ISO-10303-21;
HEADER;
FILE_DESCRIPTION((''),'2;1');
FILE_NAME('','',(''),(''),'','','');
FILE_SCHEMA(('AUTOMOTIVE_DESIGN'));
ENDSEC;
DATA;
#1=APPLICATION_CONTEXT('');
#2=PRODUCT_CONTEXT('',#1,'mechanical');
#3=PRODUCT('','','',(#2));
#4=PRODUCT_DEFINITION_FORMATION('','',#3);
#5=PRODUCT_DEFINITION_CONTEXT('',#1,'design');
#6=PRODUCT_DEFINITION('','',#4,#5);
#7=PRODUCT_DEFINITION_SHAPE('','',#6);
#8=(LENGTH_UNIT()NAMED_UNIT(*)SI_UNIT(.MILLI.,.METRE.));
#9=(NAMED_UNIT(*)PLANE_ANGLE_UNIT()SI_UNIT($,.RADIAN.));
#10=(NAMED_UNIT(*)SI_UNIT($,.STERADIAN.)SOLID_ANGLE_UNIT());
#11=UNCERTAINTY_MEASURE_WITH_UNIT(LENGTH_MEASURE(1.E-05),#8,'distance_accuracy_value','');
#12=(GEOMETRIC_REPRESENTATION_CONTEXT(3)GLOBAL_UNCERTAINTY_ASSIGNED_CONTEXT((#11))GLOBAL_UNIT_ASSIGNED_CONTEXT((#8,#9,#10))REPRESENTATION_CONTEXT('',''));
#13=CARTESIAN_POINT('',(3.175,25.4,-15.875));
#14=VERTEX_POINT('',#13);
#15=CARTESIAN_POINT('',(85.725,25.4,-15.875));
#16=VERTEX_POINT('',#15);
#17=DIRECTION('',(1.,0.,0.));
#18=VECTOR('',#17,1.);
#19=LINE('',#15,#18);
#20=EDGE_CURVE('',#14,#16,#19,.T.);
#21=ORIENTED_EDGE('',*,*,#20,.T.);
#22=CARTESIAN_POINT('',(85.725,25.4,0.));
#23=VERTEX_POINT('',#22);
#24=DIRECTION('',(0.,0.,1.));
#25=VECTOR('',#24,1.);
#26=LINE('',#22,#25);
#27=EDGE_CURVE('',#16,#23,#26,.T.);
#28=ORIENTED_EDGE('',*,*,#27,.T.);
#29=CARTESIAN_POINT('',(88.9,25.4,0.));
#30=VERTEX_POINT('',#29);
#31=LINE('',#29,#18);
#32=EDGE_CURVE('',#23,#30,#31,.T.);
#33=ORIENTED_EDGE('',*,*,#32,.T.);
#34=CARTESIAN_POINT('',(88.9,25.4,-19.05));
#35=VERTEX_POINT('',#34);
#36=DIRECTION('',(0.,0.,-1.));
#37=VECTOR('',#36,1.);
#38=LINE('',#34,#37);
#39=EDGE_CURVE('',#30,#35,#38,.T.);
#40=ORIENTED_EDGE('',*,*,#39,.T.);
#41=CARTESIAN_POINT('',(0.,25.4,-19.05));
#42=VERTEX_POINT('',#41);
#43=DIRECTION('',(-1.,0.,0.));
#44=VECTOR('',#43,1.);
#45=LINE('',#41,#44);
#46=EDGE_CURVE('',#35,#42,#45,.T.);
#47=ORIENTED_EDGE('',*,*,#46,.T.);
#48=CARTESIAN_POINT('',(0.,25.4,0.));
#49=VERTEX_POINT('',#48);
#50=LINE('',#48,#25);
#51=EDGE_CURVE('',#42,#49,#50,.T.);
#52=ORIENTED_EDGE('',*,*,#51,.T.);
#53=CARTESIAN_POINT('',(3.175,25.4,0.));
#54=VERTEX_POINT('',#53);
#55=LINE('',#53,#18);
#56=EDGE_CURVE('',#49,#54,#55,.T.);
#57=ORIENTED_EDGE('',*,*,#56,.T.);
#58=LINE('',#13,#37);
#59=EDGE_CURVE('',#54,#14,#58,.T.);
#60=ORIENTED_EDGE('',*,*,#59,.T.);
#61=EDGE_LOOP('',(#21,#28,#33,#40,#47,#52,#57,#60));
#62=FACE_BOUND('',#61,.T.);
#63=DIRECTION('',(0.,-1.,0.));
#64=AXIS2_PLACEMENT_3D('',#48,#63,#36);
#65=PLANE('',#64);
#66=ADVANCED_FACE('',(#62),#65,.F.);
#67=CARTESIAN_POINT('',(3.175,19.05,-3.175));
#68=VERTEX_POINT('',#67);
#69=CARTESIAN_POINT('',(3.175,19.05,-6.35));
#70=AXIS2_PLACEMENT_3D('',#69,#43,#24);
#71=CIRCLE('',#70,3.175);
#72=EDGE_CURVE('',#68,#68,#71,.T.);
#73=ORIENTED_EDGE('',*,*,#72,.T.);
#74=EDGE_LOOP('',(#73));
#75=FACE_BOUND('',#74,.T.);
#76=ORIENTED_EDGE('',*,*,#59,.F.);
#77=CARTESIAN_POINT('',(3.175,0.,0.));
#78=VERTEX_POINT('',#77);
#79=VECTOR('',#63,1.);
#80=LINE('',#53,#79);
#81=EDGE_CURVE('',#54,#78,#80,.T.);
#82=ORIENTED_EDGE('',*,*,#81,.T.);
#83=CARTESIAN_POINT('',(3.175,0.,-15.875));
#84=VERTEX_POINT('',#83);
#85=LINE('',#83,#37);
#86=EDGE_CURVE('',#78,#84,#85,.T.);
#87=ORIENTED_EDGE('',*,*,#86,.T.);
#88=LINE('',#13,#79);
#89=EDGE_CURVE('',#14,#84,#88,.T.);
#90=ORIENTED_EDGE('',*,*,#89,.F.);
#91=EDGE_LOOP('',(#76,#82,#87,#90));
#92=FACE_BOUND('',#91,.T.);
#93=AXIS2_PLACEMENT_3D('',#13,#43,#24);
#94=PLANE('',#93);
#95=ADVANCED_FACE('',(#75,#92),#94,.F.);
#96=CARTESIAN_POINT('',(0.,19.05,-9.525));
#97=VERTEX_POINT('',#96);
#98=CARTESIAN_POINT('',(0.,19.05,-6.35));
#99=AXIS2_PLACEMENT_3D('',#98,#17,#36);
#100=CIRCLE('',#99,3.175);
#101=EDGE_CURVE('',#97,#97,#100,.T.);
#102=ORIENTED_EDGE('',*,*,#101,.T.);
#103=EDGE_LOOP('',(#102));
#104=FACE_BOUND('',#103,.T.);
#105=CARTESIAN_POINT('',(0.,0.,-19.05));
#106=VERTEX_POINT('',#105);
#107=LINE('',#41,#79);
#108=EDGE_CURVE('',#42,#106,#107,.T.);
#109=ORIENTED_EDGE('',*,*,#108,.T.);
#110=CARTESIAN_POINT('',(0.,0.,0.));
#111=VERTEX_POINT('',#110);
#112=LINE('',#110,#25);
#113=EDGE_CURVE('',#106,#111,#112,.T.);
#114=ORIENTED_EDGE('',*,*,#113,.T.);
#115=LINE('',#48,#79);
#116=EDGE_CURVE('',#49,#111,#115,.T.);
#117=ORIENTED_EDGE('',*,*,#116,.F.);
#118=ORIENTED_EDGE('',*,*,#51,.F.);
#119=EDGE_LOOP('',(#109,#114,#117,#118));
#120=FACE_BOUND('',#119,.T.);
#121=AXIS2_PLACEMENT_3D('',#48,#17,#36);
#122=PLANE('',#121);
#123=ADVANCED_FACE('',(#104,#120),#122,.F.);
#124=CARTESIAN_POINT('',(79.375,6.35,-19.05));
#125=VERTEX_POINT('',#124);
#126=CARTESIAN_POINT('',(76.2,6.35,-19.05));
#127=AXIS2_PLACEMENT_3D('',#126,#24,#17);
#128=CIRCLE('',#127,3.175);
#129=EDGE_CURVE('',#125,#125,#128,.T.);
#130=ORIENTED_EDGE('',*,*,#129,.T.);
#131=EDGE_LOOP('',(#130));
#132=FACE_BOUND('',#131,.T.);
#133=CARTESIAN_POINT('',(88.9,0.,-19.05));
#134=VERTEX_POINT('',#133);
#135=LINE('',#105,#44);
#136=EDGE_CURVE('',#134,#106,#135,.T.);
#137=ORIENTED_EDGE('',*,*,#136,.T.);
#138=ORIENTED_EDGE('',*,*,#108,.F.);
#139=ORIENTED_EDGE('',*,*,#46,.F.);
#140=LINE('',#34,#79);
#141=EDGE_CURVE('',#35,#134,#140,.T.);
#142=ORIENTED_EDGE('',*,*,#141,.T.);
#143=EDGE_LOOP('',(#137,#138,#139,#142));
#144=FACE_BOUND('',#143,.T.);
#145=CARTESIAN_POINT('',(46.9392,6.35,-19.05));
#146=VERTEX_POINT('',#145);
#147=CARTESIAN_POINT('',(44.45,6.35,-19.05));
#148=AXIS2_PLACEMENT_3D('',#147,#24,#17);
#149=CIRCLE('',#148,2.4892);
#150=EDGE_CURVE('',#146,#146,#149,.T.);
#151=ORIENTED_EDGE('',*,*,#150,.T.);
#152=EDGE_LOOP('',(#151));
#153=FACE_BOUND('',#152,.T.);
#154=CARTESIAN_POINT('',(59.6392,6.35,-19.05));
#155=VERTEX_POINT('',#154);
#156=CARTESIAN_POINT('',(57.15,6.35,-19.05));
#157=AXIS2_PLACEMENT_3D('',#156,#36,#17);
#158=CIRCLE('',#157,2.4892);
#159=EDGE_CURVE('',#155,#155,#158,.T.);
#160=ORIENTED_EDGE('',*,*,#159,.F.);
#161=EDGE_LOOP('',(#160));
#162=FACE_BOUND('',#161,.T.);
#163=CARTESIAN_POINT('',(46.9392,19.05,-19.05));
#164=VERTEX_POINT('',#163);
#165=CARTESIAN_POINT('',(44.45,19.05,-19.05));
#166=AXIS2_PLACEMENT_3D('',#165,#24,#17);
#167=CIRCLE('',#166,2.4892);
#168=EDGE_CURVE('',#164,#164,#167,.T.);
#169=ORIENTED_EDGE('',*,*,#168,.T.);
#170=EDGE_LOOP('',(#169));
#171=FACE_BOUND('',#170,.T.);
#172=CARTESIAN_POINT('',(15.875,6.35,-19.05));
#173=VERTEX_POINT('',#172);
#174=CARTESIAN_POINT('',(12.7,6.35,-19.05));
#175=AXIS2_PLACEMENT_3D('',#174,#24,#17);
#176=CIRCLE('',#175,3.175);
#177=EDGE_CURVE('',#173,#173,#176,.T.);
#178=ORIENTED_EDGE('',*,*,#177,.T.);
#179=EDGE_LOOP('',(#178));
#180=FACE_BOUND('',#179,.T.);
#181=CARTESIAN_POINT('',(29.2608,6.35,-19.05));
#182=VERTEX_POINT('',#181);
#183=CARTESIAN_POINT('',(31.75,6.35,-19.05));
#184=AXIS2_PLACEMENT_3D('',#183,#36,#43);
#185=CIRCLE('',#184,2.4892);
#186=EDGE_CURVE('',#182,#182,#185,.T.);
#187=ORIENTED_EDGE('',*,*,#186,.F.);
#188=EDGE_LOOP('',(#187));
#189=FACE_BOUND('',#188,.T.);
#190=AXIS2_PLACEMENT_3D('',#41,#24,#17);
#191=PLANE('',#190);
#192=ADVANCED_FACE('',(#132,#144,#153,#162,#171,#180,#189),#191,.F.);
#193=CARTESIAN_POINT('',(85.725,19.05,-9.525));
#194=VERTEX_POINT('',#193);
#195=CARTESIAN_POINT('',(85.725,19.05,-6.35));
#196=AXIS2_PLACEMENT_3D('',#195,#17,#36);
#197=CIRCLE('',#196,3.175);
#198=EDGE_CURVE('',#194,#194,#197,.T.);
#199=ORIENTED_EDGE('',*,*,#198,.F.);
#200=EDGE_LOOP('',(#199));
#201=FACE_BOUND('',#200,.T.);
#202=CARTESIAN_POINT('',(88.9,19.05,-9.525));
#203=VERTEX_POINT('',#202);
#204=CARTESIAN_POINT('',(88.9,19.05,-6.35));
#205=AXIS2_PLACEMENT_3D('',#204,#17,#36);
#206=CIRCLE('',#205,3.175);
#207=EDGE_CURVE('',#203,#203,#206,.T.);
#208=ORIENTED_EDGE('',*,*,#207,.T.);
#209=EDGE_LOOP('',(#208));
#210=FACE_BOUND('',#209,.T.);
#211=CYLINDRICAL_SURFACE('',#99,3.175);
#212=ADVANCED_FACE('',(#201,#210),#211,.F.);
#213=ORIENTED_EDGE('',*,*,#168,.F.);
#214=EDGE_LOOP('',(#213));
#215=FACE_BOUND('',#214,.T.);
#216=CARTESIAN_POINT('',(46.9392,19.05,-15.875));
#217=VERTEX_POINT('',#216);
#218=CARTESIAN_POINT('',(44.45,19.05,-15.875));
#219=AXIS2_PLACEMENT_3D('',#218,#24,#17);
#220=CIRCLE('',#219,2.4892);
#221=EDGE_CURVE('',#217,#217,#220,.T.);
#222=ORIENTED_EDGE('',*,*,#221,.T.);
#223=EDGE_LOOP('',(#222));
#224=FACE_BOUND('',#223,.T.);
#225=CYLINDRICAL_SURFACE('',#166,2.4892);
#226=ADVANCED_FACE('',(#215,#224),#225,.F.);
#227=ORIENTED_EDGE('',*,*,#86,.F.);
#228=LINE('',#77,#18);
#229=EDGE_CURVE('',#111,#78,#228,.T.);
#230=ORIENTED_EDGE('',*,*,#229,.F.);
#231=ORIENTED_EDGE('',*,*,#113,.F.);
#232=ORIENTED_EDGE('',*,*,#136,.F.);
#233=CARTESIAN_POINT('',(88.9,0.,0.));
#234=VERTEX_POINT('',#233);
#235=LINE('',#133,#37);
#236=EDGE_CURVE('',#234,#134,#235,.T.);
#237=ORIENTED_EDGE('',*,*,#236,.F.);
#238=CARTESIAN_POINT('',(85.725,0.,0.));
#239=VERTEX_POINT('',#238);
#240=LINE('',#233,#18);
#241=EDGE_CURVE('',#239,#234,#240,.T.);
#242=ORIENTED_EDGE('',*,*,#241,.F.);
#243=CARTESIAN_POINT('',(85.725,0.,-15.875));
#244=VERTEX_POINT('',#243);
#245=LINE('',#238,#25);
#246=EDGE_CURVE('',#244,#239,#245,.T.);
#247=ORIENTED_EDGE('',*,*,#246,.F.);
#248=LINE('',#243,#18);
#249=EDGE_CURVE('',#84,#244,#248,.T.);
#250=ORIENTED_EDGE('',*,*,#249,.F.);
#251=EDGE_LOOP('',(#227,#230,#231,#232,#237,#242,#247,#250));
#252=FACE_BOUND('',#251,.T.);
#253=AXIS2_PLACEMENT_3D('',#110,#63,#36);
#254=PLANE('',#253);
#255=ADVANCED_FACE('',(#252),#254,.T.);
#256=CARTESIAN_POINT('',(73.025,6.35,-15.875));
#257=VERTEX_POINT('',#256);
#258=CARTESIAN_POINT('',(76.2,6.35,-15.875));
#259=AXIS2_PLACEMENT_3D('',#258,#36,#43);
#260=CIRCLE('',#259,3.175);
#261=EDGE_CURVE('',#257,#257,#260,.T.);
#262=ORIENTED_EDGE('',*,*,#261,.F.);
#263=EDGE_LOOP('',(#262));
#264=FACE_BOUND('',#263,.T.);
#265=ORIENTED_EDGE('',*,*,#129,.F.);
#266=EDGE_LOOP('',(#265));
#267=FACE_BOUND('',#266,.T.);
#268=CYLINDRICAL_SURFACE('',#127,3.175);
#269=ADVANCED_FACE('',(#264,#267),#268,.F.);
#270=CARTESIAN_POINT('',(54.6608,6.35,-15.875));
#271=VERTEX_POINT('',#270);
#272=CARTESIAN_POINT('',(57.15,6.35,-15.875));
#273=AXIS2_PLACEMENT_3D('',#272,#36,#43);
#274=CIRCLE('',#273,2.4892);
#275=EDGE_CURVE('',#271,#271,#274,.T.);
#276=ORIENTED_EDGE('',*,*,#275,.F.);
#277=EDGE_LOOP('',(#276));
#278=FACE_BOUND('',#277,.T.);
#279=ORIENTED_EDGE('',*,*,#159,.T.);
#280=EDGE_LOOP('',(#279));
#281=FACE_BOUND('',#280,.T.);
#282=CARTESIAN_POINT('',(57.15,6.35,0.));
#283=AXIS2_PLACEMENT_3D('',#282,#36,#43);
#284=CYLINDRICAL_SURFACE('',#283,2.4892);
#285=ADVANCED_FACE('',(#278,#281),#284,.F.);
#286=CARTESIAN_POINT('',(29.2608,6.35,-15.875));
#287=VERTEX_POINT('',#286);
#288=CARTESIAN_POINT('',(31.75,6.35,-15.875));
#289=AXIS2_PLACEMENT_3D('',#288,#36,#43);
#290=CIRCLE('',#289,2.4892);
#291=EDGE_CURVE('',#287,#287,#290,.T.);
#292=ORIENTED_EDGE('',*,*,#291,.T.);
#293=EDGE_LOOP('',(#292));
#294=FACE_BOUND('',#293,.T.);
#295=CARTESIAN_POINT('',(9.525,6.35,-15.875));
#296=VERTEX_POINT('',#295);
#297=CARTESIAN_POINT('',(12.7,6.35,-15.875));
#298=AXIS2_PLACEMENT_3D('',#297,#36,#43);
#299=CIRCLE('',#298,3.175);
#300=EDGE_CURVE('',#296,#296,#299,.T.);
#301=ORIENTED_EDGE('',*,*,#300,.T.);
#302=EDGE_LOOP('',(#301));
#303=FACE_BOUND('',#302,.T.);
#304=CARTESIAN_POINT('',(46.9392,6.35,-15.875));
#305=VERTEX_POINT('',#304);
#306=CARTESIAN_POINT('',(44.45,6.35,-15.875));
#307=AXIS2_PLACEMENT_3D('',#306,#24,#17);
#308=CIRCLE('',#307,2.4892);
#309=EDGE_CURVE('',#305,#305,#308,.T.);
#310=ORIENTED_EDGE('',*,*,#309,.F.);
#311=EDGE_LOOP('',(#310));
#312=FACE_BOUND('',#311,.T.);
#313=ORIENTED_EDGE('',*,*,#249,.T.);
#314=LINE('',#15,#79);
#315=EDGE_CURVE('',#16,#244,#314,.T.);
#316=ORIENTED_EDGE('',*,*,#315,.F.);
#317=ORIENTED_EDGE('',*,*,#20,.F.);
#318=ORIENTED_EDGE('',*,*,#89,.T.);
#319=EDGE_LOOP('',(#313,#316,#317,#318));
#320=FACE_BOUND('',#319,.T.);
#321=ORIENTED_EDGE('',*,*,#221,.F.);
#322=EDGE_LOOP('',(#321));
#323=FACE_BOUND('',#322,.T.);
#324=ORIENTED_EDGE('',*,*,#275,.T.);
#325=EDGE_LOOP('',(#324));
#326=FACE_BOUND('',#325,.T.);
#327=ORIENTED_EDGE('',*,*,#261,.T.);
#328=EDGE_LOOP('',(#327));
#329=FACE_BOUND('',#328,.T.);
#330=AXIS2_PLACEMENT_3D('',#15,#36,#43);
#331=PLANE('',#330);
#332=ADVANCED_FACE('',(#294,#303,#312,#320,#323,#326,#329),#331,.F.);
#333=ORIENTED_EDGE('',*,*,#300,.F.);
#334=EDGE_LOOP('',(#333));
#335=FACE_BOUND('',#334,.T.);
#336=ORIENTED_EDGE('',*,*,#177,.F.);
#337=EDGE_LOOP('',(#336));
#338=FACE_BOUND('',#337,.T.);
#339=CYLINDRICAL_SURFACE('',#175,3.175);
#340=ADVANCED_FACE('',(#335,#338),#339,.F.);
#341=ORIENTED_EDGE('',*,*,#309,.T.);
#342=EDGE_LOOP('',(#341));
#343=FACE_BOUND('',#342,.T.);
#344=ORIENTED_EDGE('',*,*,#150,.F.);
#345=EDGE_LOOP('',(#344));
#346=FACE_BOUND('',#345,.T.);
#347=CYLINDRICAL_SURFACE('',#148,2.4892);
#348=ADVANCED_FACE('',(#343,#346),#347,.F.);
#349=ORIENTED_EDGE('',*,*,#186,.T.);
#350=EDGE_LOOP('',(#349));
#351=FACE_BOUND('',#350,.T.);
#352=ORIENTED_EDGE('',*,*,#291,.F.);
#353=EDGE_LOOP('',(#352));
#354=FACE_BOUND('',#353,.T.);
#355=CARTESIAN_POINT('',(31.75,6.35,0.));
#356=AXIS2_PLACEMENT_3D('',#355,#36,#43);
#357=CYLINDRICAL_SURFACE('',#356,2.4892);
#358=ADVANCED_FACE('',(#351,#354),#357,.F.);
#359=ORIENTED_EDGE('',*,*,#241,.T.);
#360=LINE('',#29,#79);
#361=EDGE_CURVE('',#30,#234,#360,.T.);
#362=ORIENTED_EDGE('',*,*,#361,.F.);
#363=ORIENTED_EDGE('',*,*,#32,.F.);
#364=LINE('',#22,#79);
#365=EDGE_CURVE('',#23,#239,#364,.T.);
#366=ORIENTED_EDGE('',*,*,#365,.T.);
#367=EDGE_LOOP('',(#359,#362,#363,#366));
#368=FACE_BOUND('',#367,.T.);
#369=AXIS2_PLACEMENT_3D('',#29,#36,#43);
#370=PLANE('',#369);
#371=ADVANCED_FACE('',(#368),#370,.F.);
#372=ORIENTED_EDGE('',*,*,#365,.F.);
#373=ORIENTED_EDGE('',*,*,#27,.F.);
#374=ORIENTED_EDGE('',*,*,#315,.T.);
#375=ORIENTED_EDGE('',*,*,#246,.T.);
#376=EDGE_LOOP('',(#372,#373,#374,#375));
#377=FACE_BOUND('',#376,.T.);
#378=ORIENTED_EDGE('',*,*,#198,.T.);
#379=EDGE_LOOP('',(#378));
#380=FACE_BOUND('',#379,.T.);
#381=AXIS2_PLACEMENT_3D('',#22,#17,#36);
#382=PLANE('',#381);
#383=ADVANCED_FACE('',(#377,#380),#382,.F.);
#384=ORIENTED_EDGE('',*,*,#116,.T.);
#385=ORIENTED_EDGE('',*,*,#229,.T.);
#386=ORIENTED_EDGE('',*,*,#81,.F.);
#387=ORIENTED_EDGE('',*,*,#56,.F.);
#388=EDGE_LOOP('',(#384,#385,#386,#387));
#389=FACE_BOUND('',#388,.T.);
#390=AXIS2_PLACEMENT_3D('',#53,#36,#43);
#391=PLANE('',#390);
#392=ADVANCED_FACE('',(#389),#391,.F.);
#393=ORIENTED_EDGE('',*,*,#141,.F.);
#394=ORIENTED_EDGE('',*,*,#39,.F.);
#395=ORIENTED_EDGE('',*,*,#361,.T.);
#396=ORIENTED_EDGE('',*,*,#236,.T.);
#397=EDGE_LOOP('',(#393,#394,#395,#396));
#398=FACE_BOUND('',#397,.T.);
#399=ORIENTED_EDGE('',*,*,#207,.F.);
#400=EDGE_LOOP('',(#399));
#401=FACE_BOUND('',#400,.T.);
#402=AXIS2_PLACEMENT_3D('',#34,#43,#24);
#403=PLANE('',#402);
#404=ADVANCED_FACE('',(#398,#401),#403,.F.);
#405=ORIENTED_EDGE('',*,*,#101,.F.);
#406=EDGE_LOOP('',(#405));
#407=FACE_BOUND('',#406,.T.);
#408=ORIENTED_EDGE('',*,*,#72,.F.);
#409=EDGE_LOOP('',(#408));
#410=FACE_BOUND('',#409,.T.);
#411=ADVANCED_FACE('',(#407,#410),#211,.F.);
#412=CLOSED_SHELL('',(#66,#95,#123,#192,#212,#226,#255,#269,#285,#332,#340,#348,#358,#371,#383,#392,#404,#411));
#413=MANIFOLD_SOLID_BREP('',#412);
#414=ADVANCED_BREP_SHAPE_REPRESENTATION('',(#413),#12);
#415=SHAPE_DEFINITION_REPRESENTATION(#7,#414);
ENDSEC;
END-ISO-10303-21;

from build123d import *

# Parameters (mm, degrees)
BOSS_EXTRUDE1_DEPTH     = 25.4
SKETCH2_R               = 3.175
CUT_EXTRUDE1_DEPTH      = 89.9
SKETCH3_R               = 3.175
CUT_EXTRUDE2_DEPTH      = 16.875
CUT_EXTRUDE2_DEPTH_BACK = 4.175
SKETCH4_R               = 2.4892
CUT_EXTRUDE3_DEPTH      = 4.175
SKETCH5_R               = 2.4892
CUT_EXTRUDE4_DEPTH      = 20.05


with BuildPart() as part:
    # Sketch1 → Boss-Extrude1 (new body)
    with BuildSketch(Plane(origin=(0, 0, 0), x_dir=(1, 0, 0), z_dir=(0, 1, 0))):
        Polygon((0, 0), (0, 19.05), (88.9, 19.05), (88.9, 0), (85.725, 0), (85.725, 15.875), (3.175, 15.875), (3.175, 0), align=None)
    extrude(amount=BOSS_EXTRUDE1_DEPTH)

    # Sketch2 → Cut-Extrude1 (cut, through all)
    with BuildSketch(Plane(origin=(88.9, 0, 0), x_dir=(0, 0, -1), z_dir=(1, 0, 0))):
        with Locations((6.35, 19.05)):
            Circle(SKETCH2_R)
    extrude(amount=-CUT_EXTRUDE1_DEPTH, mode=Mode.SUBTRACT)

    # Sketch3 → Cut-Extrude2 (cut, two sides)
    with BuildSketch(Plane.XY.offset(-15.875)) as cut_extrude2_sk:
        with Locations((12.7, 6.35)):
            Circle(SKETCH3_R)
        with Locations((76.2, 6.35)):
            Circle(SKETCH3_R)
    extrude(amount=CUT_EXTRUDE2_DEPTH, mode=Mode.SUBTRACT)
    extrude(cut_extrude2_sk.sketch, amount=-CUT_EXTRUDE2_DEPTH_BACK, mode=Mode.SUBTRACT)

    # Sketch4 → Cut-Extrude3 (cut, through all)
    with BuildSketch(Plane.XY.offset(-15.875)):
        with Locations((44.45, 19.05)):
            Circle(SKETCH4_R)
        with Locations((44.45, 6.35)):
            Circle(SKETCH4_R)
    extrude(amount=-CUT_EXTRUDE3_DEPTH, mode=Mode.SUBTRACT)

    # Sketch5 → Cut-Extrude4 (cut, through all)
    with BuildSketch(Plane(origin=(0, 0, -19.05), x_dir=(-1, 0, 0), z_dir=(0, 0, -1))):
        with Locations((-31.75, 6.35)):
            Circle(SKETCH5_R)
        with Locations((-57.15, 6.35)):
            Circle(SKETCH5_R)
    extrude(amount=-CUT_EXTRUDE4_DEPTH, mode=Mode.SUBTRACT)


solid = part.part
